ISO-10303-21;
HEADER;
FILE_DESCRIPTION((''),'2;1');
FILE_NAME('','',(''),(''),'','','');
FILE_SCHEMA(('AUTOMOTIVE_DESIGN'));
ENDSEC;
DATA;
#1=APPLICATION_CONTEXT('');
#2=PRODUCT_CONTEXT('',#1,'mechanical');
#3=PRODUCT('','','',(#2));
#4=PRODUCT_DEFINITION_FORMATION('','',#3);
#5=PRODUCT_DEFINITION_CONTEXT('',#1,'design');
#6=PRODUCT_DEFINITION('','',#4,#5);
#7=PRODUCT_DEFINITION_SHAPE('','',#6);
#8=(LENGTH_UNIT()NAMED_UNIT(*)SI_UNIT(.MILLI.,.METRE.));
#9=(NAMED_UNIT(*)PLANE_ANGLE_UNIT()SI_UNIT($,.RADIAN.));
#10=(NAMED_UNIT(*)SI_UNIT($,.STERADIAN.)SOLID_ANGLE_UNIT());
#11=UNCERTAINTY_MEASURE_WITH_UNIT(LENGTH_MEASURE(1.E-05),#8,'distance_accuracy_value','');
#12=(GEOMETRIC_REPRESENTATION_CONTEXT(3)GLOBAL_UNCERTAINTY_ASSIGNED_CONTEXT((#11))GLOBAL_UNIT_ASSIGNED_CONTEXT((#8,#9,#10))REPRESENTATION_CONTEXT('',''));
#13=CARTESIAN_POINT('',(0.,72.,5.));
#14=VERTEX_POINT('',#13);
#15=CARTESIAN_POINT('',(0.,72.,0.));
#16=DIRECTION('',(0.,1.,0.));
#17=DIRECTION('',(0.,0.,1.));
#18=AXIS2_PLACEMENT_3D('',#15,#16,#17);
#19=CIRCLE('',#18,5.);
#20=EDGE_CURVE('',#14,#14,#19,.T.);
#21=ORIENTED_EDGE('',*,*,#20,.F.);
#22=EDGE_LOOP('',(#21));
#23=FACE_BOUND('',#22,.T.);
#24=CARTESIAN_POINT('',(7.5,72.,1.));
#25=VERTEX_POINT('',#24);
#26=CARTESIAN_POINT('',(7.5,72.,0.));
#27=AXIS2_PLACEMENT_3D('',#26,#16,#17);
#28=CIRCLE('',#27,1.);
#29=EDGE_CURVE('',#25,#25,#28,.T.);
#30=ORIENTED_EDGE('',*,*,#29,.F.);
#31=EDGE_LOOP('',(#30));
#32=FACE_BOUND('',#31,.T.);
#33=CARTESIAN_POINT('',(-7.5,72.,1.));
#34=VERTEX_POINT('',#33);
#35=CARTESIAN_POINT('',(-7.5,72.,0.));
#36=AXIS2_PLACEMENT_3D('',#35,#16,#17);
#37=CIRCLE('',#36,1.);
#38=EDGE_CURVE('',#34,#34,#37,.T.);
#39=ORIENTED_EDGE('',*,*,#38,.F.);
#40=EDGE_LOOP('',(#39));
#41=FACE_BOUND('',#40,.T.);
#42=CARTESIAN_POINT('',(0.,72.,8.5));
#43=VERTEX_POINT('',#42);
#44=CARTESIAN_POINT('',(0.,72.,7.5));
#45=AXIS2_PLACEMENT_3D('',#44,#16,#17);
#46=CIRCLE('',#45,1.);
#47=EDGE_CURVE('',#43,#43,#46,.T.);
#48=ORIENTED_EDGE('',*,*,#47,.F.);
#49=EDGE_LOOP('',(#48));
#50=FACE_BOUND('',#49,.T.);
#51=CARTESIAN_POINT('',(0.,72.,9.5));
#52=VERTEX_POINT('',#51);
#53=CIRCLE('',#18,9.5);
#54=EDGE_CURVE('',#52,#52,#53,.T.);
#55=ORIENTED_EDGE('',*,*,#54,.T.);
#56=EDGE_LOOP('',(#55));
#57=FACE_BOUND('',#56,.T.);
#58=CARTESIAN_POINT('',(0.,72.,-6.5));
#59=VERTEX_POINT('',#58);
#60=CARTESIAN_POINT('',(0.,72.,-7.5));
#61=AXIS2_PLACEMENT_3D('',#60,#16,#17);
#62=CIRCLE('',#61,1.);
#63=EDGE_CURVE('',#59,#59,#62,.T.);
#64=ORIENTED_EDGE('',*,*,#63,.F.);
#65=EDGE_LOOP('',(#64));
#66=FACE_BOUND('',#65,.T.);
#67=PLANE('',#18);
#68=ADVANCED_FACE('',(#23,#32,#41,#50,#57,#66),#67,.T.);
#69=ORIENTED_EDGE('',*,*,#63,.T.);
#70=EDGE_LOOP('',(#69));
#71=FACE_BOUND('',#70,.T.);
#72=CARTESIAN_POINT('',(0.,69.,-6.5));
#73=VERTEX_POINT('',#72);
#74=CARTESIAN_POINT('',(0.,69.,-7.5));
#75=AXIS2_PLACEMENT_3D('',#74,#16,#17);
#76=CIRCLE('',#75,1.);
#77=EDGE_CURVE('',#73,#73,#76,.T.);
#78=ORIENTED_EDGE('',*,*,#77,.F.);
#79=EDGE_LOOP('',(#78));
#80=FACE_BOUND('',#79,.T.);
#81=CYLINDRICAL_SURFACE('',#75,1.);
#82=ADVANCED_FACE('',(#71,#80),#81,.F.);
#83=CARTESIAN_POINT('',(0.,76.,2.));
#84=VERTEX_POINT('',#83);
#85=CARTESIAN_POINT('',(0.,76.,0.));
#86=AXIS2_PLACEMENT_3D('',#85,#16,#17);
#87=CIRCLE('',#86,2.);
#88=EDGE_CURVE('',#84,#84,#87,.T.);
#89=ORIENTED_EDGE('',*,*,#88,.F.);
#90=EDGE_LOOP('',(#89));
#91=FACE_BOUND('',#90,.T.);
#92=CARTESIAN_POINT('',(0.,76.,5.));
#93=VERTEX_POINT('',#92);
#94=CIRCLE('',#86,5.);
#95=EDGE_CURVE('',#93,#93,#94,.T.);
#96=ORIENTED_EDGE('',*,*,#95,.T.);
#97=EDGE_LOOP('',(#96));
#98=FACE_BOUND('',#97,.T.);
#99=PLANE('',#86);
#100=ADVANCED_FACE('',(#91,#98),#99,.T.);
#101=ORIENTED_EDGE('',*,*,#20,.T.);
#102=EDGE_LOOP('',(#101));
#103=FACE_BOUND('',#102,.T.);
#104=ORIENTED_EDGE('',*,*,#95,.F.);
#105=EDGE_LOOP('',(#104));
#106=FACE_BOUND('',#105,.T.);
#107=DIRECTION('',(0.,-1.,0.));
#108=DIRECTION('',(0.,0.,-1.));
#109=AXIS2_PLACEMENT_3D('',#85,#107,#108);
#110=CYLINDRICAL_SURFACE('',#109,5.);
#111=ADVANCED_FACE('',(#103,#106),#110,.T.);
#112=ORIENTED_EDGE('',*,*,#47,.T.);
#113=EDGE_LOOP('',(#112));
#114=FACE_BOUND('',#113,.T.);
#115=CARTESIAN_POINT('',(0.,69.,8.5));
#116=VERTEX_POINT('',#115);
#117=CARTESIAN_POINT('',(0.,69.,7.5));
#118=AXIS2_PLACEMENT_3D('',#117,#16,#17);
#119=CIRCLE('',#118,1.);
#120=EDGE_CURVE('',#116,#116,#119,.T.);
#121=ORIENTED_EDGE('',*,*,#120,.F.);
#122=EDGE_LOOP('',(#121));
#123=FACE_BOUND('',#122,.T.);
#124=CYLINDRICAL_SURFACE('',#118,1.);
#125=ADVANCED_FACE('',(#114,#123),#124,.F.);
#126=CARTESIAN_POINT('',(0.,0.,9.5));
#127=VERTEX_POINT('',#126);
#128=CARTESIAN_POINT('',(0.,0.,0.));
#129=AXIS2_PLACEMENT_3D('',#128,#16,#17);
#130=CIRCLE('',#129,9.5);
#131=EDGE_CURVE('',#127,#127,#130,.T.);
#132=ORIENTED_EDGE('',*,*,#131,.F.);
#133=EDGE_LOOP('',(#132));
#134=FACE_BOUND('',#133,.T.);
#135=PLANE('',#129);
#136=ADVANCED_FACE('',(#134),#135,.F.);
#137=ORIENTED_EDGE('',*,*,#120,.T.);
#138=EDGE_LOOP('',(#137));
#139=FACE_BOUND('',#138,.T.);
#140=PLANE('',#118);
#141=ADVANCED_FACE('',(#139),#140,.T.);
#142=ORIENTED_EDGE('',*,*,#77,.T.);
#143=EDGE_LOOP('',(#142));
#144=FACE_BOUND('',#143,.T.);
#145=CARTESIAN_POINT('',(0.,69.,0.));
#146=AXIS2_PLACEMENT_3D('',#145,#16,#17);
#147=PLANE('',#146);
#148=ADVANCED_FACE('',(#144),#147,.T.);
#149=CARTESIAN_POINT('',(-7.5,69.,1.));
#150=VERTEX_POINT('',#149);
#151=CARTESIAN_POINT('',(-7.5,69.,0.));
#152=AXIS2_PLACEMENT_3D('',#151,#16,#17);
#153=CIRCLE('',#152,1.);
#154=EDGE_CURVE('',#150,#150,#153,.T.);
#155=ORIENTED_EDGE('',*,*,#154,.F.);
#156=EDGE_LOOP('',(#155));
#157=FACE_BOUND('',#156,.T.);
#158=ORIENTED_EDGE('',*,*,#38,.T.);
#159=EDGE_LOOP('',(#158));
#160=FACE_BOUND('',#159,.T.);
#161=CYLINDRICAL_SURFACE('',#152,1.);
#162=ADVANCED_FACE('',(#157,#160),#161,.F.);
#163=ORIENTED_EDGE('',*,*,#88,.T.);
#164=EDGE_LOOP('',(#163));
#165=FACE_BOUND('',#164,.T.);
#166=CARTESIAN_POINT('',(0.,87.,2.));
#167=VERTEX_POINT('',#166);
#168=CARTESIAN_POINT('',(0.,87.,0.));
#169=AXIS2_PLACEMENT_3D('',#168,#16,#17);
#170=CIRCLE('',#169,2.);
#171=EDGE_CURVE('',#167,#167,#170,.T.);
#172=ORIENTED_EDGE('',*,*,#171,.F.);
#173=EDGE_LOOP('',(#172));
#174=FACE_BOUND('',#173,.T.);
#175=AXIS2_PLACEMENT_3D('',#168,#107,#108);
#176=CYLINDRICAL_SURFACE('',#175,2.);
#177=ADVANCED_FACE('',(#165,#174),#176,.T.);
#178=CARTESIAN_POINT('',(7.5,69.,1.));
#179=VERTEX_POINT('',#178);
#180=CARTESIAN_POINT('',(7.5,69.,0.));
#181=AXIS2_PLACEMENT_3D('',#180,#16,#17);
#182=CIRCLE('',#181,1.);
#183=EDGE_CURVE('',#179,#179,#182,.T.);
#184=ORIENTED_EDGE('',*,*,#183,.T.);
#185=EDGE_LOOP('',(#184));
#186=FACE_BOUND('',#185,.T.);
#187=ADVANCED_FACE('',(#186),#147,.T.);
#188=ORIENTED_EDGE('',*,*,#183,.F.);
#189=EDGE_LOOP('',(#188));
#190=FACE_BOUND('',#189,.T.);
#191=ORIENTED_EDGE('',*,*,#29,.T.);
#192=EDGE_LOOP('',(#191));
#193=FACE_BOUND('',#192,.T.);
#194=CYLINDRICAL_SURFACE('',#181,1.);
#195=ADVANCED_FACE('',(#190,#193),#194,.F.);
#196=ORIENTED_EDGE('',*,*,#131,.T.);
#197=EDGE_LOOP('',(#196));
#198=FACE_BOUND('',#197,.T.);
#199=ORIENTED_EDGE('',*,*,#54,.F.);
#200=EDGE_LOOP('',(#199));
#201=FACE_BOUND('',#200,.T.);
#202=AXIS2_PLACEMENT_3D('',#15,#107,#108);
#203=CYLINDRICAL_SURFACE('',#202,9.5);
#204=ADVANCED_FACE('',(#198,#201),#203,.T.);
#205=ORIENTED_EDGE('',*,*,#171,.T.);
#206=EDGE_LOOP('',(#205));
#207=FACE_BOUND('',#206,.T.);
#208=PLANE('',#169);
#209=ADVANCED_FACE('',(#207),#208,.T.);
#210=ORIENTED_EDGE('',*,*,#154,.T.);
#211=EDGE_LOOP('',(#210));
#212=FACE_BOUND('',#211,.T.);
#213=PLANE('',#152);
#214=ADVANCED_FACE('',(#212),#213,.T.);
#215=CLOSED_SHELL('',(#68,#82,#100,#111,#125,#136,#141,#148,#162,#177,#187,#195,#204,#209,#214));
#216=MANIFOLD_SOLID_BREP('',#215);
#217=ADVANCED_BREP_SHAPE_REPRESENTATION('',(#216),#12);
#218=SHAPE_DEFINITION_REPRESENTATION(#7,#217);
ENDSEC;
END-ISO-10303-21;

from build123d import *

# Parameters (mm, degrees)
SKETCH_1_R          = 9.5
EXTRUDE_1_DEPTH     = 72
SKETCH_2_R          = 5
EXTRUDE_2_DEPTH     = 4
SKETCH_3_R          = 2
EXTRUDE_3_DEPTH     = 11
SKETCH_4_R          = 1
CUT_EXTRUDE_1_DEPTH = 3


with BuildPart() as part:
    # 草图1 → 凸台-拉伸1 (new body)
    with BuildSketch(Plane(origin=(0, 0, 0), x_dir=(1, 0, 0), z_dir=(0, 1, 0))):
        with Locations(Location((0, 0, 0), (0, 0, 270))):
            Circle(SKETCH_1_R)
    extrude(amount=EXTRUDE_1_DEPTH)

    # 草图2 → 凸台-拉伸2 (add)
    with BuildSketch(Plane(origin=(0, 72, 0), x_dir=(1, 0, 0), z_dir=(0, 1, 0))):
        with Locations(Location((0, 0, 0), (0, 0, 270))):
            Circle(SKETCH_2_R)
    extrude(amount=EXTRUDE_2_DEPTH)

    # 草图3 → 凸台-拉伸3 (add)
    with BuildSketch(Plane(origin=(0, 76, 0), x_dir=(1, 0, 0), z_dir=(0, 1, 0))):
        with Locations(Location((0, 0, 0), (0, 0, 270))):
            Circle(SKETCH_3_R)
    extrude(amount=EXTRUDE_3_DEPTH)

    # 草图4 → 切除-拉伸1 (cut)
    with BuildSketch(Plane(origin=(0, 72, 0), x_dir=(1, 0, 0), z_dir=(0, 1, 0))):
        with Locations(Location((7.5, 0, 0), (0, 0, 270))):
            Circle(SKETCH_4_R)
        with Locations(Location((0, 7.5, 0), (0, 0, 270))):
            Circle(SKETCH_4_R)
        with Locations(Location((0, -7.5, 0), (0, 0, 270))):
            Circle(SKETCH_4_R)
        with Locations(Location((-7.5, 0, 0), (0, 0, 270))):
            Circle(SKETCH_4_R)
    extrude(amount=-CUT_EXTRUDE_1_DEPTH, mode=Mode.SUBTRACT)


solid = part.part
